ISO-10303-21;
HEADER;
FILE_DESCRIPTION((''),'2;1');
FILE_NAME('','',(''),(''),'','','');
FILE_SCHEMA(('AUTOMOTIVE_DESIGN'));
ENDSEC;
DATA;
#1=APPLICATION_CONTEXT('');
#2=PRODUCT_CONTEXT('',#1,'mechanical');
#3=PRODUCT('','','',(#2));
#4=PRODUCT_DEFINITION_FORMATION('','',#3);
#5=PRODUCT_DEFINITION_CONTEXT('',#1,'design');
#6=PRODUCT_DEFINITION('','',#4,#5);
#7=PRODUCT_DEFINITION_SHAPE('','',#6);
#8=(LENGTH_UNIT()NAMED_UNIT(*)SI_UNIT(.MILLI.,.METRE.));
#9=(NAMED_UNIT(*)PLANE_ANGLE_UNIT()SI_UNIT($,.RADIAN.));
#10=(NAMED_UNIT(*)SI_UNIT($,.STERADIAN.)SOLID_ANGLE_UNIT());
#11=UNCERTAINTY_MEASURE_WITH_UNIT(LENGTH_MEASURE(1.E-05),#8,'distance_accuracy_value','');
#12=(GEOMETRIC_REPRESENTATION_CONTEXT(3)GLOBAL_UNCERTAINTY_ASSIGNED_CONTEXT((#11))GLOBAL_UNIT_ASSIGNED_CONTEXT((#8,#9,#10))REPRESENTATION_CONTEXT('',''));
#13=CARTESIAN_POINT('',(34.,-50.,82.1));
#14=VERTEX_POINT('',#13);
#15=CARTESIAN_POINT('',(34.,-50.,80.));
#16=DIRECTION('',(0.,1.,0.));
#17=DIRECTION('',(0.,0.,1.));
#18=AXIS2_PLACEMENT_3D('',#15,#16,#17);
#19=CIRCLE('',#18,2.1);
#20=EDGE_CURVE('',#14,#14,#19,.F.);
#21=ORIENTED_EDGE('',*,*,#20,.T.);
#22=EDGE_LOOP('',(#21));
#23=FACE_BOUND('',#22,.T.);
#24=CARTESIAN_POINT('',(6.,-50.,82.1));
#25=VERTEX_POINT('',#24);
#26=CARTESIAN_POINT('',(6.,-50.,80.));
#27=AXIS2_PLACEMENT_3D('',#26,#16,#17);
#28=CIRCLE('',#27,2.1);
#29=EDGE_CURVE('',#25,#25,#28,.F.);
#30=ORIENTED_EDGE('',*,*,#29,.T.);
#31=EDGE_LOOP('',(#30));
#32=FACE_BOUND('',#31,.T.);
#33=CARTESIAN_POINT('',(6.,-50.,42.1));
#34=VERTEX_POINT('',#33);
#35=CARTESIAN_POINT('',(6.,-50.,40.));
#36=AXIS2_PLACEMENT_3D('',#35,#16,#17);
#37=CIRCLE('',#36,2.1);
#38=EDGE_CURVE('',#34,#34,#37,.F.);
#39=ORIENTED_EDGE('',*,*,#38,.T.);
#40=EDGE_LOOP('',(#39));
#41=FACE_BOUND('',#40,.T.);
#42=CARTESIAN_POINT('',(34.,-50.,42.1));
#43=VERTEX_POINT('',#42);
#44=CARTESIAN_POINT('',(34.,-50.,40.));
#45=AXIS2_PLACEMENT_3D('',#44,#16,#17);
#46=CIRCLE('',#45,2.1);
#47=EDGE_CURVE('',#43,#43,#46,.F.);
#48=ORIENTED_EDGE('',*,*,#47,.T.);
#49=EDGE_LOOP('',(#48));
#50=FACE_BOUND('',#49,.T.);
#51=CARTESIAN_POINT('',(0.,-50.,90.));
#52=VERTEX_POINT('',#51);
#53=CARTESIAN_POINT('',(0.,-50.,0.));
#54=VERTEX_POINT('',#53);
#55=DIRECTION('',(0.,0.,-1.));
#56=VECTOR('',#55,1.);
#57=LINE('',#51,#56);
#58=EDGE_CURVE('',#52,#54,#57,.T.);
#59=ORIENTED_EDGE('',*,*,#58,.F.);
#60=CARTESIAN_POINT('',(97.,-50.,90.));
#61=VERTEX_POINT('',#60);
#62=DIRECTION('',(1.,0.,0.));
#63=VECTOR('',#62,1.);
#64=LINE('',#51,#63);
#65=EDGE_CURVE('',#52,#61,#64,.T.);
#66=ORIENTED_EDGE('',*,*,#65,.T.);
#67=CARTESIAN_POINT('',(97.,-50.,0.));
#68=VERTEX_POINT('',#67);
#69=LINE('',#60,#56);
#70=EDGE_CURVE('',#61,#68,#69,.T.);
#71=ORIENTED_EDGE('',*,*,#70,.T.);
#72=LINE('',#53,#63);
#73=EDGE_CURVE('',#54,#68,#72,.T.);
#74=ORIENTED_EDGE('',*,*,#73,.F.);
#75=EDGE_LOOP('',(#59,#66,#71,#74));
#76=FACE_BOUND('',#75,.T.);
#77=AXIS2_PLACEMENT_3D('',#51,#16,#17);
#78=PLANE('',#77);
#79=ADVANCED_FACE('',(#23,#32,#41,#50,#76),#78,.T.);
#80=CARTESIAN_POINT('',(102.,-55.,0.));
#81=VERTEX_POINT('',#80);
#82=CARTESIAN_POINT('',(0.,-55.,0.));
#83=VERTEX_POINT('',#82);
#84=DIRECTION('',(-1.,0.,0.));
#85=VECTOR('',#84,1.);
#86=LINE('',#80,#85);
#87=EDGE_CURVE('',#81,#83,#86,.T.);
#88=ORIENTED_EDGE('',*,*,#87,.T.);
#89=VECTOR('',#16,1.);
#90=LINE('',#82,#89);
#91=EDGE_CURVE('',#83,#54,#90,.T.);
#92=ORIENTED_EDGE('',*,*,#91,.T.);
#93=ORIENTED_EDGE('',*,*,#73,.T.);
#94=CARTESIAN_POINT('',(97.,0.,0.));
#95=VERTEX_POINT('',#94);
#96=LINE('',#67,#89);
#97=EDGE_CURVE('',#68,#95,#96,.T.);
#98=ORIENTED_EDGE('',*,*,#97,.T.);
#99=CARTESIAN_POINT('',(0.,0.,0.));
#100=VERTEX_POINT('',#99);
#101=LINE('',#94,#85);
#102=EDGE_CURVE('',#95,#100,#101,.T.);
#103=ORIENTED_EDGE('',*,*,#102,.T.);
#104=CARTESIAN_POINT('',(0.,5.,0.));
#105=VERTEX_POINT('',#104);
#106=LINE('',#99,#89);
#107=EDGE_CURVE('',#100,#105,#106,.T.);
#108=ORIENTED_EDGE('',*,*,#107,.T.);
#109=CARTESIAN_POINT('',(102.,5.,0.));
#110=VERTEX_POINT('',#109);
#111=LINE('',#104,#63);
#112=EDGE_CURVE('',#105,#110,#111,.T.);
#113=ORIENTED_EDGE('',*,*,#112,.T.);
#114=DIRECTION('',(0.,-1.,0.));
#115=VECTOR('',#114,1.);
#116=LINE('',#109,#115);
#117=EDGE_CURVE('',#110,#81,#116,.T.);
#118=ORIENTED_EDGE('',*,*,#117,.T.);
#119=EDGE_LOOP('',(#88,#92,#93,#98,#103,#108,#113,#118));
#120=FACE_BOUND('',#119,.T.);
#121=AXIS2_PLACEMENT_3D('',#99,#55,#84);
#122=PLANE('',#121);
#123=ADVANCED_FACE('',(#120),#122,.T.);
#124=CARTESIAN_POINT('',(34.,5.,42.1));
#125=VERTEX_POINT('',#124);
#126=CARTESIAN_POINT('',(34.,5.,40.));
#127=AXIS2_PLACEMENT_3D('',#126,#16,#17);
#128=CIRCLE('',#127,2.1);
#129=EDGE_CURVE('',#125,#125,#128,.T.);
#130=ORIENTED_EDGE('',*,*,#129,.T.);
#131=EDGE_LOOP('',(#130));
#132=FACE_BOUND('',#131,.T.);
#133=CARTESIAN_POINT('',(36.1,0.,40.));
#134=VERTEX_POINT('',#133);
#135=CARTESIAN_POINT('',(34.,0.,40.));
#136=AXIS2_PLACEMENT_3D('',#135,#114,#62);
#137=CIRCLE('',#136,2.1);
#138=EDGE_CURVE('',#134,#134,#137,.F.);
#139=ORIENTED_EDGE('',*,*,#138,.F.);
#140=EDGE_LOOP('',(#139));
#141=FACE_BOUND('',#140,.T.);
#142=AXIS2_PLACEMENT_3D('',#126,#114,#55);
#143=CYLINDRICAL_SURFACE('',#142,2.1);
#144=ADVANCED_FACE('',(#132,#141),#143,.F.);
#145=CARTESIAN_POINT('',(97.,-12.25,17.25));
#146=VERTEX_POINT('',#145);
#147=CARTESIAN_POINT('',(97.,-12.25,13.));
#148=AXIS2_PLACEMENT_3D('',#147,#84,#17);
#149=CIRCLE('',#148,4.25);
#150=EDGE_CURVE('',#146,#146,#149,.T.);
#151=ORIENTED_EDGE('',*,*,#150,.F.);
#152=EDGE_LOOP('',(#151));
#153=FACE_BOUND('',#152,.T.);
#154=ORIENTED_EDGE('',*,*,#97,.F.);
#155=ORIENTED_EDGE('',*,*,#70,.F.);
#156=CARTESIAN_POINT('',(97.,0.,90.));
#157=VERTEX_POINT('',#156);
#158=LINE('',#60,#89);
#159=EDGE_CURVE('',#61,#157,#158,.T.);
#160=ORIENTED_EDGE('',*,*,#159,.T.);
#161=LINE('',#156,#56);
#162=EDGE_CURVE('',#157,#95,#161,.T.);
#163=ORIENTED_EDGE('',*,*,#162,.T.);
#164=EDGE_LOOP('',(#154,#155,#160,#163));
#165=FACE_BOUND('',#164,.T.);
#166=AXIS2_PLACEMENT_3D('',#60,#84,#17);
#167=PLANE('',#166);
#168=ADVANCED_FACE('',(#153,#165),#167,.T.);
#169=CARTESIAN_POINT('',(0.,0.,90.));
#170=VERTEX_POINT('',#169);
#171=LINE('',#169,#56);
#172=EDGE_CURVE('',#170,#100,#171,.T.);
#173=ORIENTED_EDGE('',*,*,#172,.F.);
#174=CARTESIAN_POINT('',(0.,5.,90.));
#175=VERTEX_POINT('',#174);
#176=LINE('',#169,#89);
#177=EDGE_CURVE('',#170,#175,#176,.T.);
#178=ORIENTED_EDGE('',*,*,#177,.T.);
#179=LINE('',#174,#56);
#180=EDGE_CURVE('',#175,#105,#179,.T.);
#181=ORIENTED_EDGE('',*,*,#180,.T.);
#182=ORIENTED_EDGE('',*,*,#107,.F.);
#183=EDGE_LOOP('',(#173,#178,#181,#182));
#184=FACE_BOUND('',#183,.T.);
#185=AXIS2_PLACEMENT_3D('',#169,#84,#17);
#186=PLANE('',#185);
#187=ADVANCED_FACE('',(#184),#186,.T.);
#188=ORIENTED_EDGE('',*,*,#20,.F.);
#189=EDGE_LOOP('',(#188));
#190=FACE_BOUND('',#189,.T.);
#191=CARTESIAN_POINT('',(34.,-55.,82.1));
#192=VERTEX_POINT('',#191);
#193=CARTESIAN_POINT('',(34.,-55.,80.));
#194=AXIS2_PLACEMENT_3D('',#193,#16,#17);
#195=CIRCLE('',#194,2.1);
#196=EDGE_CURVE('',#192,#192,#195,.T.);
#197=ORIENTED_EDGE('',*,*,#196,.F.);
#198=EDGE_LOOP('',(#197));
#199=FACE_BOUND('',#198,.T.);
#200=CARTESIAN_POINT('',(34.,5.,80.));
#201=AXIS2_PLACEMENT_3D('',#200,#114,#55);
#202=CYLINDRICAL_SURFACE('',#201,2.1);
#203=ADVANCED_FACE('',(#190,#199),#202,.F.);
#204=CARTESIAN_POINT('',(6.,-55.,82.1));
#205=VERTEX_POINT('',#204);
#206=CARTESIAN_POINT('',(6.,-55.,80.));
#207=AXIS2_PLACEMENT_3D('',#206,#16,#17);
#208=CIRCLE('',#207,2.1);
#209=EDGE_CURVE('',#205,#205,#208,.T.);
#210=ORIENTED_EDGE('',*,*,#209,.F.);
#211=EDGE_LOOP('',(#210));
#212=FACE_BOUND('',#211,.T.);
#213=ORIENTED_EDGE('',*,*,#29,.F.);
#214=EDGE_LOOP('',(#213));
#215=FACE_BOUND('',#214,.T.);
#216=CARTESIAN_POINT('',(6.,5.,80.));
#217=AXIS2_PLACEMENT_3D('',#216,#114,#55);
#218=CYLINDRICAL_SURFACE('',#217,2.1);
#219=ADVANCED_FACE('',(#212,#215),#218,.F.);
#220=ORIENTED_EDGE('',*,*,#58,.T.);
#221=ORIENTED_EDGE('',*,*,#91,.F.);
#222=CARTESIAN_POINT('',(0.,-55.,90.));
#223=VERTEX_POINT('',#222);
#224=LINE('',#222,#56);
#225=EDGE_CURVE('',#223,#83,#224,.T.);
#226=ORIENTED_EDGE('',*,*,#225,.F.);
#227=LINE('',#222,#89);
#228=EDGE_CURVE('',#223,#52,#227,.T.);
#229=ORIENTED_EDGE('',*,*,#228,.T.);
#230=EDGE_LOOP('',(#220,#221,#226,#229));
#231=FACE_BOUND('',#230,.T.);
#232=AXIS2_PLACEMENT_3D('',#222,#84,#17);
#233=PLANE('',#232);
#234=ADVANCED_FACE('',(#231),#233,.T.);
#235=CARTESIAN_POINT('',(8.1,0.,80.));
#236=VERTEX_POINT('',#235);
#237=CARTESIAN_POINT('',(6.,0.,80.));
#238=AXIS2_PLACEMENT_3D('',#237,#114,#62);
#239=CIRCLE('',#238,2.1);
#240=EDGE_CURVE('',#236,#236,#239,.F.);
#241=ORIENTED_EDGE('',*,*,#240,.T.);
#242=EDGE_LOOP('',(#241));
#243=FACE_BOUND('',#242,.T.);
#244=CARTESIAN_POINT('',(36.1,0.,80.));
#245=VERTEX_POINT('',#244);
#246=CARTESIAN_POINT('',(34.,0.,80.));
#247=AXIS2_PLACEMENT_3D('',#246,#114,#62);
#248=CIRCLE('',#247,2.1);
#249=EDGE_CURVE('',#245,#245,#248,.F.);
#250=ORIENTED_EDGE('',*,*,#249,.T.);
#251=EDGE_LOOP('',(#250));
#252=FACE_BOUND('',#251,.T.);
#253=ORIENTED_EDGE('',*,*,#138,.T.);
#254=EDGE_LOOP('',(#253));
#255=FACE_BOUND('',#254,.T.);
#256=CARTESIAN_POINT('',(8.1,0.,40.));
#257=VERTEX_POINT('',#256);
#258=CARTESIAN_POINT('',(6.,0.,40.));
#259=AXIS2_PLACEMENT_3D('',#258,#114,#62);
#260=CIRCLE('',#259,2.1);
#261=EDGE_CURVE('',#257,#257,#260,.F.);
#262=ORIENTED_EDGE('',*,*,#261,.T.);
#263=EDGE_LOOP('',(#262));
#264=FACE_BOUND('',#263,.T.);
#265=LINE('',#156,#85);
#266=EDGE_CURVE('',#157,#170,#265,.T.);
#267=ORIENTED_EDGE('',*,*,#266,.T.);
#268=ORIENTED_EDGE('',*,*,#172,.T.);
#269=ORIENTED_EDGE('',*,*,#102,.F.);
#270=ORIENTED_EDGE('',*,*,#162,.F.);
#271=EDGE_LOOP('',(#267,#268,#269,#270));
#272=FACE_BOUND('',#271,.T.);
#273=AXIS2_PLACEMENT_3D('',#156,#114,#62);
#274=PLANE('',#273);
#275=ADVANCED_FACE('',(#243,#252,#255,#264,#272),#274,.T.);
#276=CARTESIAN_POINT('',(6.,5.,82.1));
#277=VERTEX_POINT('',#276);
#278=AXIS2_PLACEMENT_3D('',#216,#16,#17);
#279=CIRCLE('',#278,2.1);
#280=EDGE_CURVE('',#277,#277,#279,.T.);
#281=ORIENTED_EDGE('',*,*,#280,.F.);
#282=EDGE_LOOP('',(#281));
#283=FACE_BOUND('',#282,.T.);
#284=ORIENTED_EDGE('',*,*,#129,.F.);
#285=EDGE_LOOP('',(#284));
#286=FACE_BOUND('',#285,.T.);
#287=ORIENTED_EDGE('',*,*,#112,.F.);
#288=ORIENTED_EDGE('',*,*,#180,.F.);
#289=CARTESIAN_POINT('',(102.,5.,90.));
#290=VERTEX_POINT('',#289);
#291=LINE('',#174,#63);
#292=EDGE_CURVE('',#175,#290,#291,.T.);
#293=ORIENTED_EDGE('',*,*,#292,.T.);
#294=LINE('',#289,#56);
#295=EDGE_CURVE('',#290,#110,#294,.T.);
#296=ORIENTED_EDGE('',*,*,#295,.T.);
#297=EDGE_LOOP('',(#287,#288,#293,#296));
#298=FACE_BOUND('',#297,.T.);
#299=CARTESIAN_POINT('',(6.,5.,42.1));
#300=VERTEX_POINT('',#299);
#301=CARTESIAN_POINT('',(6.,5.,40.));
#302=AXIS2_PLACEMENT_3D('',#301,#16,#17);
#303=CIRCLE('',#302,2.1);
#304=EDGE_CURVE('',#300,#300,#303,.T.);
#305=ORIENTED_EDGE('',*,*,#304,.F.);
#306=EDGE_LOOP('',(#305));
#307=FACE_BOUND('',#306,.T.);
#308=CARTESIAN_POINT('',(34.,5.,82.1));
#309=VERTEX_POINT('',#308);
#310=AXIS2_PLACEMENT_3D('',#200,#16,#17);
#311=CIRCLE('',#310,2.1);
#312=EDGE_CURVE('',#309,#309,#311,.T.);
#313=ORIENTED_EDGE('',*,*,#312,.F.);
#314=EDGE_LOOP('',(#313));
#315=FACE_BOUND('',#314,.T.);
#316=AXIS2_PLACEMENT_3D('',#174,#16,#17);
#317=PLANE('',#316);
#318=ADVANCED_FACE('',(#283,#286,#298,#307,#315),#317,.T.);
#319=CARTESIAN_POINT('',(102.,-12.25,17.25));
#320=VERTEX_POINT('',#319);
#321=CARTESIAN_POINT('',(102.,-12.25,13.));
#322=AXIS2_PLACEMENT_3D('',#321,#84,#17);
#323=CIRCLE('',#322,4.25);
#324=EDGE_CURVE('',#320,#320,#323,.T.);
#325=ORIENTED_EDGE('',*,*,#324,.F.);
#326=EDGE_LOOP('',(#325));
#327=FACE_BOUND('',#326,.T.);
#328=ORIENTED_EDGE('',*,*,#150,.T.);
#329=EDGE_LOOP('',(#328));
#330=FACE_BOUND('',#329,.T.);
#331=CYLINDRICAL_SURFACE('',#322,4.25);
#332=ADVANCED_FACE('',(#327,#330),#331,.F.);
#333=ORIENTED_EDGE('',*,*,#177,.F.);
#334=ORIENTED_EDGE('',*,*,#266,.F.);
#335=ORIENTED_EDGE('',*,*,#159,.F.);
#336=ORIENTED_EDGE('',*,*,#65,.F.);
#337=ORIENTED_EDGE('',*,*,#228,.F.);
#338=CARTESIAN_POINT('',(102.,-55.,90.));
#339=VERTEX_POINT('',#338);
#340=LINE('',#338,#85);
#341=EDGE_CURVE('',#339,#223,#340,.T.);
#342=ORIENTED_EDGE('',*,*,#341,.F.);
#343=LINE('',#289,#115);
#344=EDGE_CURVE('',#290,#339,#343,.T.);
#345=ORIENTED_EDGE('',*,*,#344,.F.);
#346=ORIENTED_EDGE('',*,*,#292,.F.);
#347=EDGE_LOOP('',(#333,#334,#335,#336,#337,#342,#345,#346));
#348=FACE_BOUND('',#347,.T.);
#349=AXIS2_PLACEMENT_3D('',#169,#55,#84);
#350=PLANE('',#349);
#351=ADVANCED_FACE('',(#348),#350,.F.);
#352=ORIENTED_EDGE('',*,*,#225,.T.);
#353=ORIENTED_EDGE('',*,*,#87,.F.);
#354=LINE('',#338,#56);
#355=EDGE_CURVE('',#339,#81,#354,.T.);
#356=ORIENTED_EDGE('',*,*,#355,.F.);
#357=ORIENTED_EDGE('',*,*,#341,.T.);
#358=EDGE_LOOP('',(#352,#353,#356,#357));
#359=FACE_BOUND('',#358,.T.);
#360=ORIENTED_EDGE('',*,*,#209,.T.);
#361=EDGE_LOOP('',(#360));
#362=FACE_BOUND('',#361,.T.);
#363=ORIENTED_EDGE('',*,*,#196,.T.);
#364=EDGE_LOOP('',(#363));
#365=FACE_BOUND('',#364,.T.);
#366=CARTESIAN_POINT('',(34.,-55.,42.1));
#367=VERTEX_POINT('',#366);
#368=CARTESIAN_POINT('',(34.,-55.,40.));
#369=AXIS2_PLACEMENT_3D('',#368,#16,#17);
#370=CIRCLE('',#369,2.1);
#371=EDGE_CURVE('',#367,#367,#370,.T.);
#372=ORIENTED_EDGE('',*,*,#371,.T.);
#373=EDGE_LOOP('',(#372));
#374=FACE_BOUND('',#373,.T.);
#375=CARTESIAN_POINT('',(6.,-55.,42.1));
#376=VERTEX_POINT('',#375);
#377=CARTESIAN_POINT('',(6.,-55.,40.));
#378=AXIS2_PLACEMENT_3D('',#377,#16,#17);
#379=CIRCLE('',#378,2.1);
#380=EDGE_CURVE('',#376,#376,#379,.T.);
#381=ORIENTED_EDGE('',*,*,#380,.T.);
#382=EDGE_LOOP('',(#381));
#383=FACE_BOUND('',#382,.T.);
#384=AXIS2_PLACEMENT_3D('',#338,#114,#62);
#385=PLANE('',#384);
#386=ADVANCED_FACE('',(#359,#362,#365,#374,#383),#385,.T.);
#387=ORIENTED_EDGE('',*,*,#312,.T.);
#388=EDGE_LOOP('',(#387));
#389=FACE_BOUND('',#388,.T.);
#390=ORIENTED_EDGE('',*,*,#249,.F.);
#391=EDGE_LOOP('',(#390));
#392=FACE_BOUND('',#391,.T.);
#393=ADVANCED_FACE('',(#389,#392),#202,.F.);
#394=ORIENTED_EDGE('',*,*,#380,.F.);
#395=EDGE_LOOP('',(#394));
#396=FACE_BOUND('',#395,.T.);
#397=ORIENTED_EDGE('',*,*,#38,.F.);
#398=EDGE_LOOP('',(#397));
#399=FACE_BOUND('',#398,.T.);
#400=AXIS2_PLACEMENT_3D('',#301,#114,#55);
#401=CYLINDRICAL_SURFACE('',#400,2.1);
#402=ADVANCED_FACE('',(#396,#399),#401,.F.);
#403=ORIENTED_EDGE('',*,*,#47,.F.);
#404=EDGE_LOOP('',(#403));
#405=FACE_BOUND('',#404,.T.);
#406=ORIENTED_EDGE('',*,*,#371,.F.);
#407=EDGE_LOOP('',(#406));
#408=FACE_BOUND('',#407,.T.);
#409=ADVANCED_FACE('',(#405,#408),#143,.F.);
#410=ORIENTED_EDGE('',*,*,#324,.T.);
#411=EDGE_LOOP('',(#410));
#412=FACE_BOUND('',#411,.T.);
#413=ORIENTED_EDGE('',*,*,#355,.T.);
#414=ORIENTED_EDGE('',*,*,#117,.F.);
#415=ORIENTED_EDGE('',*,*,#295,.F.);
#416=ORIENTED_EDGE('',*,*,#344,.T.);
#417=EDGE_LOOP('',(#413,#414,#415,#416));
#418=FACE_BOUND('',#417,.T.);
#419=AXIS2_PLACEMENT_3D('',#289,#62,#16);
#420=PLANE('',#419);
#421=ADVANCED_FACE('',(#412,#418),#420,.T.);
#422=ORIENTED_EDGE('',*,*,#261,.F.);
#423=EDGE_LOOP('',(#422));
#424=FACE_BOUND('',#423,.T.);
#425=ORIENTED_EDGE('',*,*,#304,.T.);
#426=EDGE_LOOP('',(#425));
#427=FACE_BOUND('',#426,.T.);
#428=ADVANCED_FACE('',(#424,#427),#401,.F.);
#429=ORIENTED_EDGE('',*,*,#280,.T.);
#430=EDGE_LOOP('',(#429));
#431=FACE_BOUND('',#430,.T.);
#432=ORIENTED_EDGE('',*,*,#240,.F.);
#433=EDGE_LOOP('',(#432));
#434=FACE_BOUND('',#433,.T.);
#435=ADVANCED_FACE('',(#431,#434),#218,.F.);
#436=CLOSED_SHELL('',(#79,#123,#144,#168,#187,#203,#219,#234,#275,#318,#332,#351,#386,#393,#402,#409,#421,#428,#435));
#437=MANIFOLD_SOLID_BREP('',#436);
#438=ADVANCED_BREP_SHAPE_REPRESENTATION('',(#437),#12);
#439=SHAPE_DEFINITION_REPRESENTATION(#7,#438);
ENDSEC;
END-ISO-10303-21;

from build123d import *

# Parameters (mm, degrees)
EXTRUDE_1_DEPTH         = 90
CUT_EXTRUDE1_DEPTH      = 147.727638841
CUT_EXTRUDE1_DEPTH_BACK = 147.727638841
SKETCH1_R               = 2.1
SKETCH_2_R              = 4.25
CUT_EXTRUDE_1_DEPTH     = 144.296894593


with BuildPart() as part:
    # 草图1 → 凸台-拉伸1 (new body)
    with BuildSketch(Plane.XY):
        Polygon((0, 0), (0, 5), (102, 5), (102, -55), (0, -55), (0, -50), (97, -50), (97, 0), align=None)
    extrude(amount=EXTRUDE_1_DEPTH)

    # Sketch1 → Cut-Extrude1 (cut, two sides: drawn at the far end of the back side and taken through both)
    with BuildSketch(Plane(origin=(0, 0, 0), x_dir=(1, 0, 0), z_dir=(0, 1, 0)).offset(-CUT_EXTRUDE1_DEPTH_BACK)):
        with Locations(Location((6, -40, 0), (0, 0, 270))):
            Circle(SKETCH1_R)
        with Locations(Location((34, -40, 0), (0, 0, 270))):
            Circle(SKETCH1_R)
        with Locations(Location((34, -80, 0), (0, 0, 270))):
            Circle(SKETCH1_R)
        with Locations(Location((6, -80, 0), (0, 0, 270))):
            Circle(SKETCH1_R)
    extrude(amount=CUT_EXTRUDE1_DEPTH + CUT_EXTRUDE1_DEPTH_BACK, mode=Mode.SUBTRACT)

    # 草图2 → 切除-拉伸1 (cut, through all)
    with BuildSketch(Plane.ZY.offset(-97)):
        with Locations((13, -12.25)):
            Circle(SKETCH_2_R)
    extrude(amount=-CUT_EXTRUDE_1_DEPTH, mode=Mode.SUBTRACT)


solid = part.part
